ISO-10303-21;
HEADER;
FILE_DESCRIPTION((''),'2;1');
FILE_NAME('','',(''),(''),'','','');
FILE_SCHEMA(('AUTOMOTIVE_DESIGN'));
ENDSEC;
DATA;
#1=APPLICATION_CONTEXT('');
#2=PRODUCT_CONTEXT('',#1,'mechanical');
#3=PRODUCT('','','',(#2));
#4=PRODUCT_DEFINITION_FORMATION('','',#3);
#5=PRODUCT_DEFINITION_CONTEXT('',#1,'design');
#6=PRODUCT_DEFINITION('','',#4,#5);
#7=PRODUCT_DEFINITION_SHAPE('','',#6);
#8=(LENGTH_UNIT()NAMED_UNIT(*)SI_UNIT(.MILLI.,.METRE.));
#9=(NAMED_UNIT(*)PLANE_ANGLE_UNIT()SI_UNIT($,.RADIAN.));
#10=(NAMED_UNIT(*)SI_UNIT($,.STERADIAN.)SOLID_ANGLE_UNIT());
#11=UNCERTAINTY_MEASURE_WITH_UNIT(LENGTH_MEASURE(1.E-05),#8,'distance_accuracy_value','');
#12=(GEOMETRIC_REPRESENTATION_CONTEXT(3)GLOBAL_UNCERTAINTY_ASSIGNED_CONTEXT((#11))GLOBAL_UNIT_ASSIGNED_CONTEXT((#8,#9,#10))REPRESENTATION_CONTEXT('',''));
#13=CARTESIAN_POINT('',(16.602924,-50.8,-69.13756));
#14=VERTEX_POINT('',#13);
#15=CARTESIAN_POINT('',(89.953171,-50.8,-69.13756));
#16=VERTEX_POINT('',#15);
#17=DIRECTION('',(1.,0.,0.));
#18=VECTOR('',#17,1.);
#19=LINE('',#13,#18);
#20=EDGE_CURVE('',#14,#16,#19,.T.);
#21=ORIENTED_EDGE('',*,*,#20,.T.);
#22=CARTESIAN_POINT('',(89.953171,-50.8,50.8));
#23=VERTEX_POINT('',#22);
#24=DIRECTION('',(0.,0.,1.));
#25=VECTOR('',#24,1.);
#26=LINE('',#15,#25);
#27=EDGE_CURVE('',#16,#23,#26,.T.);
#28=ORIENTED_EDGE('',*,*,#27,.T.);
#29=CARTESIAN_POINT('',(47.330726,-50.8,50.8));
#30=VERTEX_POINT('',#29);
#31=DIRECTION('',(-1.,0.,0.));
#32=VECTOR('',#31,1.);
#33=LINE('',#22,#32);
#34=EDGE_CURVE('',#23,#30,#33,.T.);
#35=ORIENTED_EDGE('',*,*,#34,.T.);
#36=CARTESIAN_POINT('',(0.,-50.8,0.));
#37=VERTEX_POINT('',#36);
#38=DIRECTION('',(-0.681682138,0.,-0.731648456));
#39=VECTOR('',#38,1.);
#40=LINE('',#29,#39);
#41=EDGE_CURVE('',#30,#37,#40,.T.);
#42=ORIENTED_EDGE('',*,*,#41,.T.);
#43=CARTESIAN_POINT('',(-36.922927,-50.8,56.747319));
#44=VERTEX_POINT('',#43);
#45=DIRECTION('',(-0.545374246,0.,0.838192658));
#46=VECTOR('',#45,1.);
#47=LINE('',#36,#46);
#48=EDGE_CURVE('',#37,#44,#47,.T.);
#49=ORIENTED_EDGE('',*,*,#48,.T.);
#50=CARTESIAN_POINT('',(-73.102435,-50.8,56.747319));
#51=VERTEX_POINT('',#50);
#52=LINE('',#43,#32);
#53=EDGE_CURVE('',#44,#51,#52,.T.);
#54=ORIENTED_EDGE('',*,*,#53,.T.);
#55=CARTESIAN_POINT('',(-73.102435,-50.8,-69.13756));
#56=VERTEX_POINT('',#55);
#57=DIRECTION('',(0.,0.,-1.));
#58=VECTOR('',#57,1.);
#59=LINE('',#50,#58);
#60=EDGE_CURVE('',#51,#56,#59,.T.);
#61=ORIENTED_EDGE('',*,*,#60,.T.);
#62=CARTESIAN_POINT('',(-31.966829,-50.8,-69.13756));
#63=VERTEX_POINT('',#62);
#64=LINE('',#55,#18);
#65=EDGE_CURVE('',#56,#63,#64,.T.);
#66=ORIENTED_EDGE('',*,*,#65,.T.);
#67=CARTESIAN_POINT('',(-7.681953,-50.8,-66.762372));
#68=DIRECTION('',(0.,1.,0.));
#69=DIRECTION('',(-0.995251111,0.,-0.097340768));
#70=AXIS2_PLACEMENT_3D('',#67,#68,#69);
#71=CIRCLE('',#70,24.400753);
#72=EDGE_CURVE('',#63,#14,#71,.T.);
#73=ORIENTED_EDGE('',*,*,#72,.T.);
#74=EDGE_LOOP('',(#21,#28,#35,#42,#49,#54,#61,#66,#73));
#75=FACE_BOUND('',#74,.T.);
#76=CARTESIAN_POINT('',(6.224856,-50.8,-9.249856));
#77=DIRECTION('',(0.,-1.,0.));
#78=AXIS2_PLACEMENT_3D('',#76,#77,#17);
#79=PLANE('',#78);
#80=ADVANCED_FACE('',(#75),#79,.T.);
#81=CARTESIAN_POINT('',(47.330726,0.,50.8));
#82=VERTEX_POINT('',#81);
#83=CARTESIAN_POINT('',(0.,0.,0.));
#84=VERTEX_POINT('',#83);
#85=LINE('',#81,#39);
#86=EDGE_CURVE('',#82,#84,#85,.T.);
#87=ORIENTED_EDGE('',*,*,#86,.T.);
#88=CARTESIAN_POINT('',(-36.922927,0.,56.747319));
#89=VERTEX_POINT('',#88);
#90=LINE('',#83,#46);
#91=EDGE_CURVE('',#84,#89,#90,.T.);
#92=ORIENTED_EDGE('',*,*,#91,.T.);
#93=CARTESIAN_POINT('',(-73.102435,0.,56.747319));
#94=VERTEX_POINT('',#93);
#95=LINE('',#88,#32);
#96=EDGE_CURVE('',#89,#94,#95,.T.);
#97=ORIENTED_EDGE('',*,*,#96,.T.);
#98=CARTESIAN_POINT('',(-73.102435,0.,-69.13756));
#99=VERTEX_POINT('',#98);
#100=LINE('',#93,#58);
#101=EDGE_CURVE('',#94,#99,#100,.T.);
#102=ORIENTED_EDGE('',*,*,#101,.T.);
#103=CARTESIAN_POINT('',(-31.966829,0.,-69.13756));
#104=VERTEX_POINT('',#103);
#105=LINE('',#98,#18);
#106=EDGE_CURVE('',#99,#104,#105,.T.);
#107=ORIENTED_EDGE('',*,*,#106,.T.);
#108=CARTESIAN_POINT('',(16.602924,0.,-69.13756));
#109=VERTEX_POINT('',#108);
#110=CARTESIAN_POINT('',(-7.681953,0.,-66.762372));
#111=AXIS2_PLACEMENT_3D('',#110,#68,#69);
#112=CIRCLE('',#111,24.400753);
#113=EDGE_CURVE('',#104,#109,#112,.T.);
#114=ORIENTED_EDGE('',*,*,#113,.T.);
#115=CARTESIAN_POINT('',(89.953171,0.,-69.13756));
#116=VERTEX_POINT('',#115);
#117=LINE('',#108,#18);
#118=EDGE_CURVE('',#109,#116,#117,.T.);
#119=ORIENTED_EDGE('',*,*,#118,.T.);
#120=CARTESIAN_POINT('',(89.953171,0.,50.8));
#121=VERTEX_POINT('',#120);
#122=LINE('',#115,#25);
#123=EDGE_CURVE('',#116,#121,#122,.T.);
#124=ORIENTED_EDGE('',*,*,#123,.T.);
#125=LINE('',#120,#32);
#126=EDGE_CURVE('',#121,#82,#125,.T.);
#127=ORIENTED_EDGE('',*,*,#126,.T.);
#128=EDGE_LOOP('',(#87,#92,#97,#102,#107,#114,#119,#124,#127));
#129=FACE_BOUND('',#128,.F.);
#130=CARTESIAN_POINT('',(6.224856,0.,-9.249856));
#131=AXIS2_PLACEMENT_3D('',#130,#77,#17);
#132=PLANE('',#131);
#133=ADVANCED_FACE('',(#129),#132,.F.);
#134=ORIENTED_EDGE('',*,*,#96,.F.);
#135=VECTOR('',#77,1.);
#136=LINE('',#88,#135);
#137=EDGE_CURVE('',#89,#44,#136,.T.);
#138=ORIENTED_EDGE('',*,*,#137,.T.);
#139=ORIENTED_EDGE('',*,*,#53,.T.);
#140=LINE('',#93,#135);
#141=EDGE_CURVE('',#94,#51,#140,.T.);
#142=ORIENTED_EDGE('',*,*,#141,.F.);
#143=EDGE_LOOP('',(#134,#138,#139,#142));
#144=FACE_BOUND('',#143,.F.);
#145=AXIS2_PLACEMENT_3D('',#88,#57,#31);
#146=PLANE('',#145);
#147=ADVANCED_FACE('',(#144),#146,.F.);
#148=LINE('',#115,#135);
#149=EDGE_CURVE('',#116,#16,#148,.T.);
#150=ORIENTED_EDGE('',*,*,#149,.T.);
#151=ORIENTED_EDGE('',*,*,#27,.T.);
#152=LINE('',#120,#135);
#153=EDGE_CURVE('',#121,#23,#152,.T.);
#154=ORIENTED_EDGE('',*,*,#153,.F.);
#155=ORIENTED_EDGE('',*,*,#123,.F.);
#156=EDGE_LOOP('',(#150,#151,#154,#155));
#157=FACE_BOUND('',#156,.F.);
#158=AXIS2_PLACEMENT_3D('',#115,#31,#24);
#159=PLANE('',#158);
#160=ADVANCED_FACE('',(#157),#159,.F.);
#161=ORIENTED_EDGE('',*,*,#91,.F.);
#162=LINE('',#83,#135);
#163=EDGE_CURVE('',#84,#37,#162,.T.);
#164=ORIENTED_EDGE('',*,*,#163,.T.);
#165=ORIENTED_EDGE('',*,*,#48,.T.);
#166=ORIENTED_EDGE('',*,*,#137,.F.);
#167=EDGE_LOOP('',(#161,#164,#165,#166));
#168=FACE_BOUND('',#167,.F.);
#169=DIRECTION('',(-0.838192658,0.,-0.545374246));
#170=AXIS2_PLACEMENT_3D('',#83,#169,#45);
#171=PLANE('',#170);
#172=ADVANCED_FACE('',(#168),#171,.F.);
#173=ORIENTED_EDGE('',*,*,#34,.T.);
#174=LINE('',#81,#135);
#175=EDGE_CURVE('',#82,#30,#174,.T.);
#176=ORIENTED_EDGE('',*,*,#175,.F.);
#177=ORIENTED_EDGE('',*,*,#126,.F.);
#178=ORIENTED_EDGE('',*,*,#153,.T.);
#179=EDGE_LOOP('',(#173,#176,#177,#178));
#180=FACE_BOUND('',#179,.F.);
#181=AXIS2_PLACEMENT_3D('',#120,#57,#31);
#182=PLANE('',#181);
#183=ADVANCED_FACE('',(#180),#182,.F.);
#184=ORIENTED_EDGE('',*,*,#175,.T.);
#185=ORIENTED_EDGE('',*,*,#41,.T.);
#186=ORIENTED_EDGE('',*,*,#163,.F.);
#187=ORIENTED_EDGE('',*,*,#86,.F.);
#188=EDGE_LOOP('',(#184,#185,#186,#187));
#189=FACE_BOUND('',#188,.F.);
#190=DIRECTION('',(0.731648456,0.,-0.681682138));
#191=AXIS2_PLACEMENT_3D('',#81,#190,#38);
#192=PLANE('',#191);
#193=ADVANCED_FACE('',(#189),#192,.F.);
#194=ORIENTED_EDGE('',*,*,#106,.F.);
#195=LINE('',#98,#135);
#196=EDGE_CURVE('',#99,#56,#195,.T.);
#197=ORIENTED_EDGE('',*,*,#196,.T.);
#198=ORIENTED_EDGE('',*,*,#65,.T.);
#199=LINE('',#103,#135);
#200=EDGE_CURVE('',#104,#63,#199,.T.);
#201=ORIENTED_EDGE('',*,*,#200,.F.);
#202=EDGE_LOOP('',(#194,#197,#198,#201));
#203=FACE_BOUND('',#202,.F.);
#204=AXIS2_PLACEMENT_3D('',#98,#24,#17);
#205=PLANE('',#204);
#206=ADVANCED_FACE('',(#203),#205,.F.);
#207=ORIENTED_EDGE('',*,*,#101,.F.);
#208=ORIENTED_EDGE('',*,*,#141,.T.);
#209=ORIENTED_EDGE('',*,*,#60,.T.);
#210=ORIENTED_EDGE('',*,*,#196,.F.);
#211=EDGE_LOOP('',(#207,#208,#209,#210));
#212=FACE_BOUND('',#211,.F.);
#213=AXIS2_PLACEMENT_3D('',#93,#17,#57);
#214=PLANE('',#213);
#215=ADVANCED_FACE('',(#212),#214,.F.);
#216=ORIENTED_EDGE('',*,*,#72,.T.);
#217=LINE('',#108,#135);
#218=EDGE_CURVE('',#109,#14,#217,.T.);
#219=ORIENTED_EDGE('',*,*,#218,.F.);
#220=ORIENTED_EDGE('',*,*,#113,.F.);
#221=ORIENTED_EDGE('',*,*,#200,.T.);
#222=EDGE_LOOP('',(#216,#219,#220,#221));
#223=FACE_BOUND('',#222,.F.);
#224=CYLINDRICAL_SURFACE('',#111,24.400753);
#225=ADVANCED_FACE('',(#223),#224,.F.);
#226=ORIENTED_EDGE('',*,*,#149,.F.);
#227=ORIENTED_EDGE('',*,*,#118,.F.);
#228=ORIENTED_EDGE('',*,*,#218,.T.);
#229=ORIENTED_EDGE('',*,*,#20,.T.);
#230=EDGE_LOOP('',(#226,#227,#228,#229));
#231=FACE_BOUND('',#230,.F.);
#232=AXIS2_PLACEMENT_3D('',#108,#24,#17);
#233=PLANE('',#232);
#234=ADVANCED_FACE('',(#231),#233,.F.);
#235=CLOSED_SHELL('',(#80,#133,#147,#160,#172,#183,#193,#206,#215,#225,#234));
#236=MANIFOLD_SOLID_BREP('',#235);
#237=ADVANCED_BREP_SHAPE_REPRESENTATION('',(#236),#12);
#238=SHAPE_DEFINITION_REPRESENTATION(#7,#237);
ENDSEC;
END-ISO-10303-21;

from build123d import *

# Parameters (mm, degrees)
F1_DEPTH = 50.8


with BuildPart() as f1:
    # F0 (on Front) → F1 (new body)
    with BuildSketch(Plane.XZ):
        with BuildLine():
            Line((47.330726, 50.8), (0, 0))
            Line((0, 0), (-36.922927, 56.747319))
            Line((-36.922927, 56.747319), (-73.102435, 56.747319))
            Line((-73.102435, 56.747319), (-73.102435, -69.13756))
            Line((-73.102435, -69.13756), (-31.966829, -69.13756))
            ThreePointArc((-31.966829, -69.13756), (-7.681952, -42.361619), (16.602924, -69.13756))
            Line((16.602924, -69.13756), (89.953171, -69.13756))
            Line((89.953171, -69.13756), (89.953171, 50.8))
            Line((89.953171, 50.8), (47.330726, 50.8))
        make_face()
    extrude(amount=F1_DEPTH)


solid = f1.part
